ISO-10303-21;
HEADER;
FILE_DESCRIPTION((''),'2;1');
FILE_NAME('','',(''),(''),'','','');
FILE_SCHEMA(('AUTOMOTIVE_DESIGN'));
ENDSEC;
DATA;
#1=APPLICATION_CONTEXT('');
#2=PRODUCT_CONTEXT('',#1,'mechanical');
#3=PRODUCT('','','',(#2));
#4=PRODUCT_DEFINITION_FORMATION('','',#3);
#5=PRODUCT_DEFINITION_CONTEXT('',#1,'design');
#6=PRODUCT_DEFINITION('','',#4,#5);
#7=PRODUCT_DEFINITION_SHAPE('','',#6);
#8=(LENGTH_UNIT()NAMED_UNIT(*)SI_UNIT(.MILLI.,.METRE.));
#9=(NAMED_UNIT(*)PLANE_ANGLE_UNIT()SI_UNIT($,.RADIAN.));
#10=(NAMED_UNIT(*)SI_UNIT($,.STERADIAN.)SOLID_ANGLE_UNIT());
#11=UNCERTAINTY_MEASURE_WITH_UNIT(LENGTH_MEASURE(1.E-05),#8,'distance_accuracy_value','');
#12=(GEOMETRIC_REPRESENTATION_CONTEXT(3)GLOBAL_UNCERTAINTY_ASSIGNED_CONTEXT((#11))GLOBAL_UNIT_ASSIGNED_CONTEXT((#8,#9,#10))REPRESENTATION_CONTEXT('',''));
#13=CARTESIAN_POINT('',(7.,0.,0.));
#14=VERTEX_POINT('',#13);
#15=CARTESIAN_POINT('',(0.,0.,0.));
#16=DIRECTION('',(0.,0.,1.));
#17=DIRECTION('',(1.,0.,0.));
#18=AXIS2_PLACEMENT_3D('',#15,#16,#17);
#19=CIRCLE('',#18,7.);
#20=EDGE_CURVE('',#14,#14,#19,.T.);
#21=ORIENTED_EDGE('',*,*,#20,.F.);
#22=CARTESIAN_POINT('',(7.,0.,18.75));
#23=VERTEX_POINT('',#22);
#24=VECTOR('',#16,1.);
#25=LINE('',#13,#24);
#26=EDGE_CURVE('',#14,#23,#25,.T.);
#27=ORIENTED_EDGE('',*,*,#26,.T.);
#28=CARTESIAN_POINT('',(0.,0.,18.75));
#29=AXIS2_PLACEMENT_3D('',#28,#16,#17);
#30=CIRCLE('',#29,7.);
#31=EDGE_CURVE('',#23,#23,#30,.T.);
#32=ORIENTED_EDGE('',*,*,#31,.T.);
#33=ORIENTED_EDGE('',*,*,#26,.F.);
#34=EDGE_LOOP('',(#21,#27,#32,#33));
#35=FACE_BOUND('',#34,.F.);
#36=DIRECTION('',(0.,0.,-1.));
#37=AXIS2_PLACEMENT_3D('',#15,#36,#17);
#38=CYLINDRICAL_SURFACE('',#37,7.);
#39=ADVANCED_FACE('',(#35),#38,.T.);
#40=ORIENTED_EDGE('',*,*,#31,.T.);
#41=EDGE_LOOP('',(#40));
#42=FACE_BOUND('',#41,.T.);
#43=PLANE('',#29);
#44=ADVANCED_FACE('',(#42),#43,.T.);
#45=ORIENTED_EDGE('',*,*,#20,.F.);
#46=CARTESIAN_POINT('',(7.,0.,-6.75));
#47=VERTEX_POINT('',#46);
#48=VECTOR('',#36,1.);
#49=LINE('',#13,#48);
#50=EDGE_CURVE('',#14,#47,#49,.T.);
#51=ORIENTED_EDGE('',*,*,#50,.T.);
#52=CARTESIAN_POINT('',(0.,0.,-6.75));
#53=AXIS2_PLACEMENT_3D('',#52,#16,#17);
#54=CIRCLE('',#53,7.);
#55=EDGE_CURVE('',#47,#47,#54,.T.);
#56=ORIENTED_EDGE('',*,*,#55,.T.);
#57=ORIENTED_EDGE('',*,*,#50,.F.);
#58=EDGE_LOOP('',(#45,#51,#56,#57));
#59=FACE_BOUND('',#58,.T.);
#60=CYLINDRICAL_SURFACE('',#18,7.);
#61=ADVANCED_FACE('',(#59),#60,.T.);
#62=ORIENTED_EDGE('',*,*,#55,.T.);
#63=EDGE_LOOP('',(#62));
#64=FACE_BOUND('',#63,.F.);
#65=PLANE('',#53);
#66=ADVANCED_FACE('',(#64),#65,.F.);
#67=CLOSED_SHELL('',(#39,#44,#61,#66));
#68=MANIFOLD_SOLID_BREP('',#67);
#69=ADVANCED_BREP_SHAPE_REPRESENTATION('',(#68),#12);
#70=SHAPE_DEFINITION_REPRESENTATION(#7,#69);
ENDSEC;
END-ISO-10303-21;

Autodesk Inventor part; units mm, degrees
ref_plane "YZ Plane" through (0, 0, 0) normal (1, 0, 0) x (0, 1, 0)
ref_plane "XZ Plane" through (0, 0, 0) normal (0, 1, 0) x (-1, 0, 0)
ref_plane "XY Plane" through (0, 0, 0) normal (0, 0, 1) x (1, 0, 0)
sketch "Эскиз1" plane through (0, 0, 0) normal (0, 0, 1) x (1, 0, 0)
  circle A0 centre (0, 0) radius 7
  dimension "d0" = 14
extrude "Выдавливание1" add sketch "Эскиз1" along normal blind 18.75 and the other way blind 6.75
properties part number "Винт"
